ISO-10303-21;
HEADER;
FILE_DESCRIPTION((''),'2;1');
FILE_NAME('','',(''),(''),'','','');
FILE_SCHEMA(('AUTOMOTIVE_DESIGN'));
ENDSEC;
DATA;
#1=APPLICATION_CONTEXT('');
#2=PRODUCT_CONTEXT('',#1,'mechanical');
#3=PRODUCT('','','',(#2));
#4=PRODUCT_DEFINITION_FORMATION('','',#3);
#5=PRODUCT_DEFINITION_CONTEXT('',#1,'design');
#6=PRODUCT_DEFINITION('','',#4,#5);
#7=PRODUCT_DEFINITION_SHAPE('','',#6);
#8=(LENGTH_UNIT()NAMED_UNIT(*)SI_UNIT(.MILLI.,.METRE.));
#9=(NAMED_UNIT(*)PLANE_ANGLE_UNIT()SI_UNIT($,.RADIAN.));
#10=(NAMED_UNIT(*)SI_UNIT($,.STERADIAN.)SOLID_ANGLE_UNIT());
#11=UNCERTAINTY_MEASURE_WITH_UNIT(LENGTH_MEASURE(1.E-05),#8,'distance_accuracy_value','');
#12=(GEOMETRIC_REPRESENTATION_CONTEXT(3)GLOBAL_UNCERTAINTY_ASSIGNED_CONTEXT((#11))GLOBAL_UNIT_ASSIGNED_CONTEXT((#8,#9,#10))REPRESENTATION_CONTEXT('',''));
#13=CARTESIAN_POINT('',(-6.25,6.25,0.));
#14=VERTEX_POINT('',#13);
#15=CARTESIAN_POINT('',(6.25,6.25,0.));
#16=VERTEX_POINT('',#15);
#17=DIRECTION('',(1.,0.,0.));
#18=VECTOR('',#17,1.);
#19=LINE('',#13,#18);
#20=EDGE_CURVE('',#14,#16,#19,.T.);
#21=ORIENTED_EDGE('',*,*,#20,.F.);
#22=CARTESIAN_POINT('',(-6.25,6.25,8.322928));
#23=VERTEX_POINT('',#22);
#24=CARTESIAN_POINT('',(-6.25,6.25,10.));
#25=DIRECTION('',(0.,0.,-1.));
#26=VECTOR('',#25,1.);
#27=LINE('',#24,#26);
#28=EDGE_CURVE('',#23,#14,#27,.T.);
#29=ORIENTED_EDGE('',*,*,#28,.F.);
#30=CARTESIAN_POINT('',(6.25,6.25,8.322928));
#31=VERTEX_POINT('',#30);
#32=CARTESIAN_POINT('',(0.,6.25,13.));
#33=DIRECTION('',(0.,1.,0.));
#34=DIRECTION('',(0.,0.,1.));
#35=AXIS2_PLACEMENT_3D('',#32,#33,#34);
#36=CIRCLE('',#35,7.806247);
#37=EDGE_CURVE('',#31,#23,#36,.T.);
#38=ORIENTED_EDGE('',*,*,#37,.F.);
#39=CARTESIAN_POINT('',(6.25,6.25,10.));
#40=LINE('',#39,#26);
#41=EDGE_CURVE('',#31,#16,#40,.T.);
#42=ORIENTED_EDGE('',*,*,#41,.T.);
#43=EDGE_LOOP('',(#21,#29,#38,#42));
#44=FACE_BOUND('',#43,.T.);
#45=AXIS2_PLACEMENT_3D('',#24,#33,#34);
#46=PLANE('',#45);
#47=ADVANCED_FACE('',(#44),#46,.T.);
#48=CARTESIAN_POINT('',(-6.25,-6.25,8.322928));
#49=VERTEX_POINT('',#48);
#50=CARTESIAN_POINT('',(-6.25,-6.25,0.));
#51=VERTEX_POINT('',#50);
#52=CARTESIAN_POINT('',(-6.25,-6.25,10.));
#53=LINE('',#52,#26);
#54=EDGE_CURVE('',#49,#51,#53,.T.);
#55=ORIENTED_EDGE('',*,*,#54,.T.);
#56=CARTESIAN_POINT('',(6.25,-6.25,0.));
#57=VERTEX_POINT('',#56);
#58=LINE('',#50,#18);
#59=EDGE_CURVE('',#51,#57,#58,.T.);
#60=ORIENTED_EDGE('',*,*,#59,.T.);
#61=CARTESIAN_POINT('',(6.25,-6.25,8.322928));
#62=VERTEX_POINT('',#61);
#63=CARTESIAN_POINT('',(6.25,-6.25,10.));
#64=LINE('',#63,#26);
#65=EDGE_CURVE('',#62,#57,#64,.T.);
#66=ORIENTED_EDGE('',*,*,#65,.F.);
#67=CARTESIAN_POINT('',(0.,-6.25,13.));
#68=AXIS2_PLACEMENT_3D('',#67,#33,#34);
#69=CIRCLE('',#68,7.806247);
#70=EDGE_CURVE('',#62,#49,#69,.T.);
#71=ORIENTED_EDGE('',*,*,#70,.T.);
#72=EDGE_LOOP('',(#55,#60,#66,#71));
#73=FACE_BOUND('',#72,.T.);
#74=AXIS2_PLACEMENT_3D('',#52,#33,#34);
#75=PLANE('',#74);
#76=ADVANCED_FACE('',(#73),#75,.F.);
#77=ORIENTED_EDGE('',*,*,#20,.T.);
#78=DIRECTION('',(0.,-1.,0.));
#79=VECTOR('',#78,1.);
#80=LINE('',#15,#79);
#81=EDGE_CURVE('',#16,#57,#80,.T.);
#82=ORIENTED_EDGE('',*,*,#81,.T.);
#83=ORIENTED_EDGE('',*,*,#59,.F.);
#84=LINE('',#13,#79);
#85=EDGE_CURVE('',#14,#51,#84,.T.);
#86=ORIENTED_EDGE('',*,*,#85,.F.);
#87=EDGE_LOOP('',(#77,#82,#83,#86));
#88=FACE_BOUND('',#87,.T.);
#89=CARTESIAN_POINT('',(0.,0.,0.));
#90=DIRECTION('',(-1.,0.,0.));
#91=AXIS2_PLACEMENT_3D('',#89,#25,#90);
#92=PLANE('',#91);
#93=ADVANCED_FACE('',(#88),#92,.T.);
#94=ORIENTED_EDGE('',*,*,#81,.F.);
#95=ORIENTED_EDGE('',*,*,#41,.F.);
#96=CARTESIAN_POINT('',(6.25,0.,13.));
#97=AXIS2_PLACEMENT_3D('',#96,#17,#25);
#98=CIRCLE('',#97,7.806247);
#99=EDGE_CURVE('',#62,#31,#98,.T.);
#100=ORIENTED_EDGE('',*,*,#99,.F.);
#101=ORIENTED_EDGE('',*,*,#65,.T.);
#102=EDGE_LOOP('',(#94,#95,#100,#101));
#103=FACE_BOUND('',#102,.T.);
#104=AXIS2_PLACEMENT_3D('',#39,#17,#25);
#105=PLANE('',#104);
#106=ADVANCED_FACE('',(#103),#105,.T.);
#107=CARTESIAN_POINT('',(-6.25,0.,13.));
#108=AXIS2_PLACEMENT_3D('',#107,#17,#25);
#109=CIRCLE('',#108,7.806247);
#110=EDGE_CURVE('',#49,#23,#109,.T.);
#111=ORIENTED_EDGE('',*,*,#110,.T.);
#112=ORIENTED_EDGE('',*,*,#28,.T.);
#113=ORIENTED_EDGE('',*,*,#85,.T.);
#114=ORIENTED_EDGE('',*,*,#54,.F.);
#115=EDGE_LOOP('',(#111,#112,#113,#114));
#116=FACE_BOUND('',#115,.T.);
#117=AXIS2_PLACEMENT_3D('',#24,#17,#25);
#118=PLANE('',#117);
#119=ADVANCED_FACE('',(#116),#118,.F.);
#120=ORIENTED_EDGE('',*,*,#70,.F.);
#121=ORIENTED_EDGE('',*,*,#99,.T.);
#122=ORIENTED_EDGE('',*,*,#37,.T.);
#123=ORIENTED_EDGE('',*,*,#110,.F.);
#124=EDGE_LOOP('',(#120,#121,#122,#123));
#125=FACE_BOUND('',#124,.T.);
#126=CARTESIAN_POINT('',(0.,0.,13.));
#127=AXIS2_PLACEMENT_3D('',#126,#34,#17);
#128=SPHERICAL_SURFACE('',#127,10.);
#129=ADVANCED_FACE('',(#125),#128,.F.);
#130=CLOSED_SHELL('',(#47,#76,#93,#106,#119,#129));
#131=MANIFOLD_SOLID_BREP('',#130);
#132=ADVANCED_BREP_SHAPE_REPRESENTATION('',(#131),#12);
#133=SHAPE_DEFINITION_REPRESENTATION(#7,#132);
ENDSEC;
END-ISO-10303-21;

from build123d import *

# Parameters (mm, degrees)
SKETCH_1_W      = 12.5
SKETCH_1_H      = 12.5
EXTRUDE_1_DEPTH = 10


with BuildPart() as part:
    # 草图1 → 凸台-拉伸1 (new body)
    with BuildSketch(Plane.XY):
        Rectangle(SKETCH_1_W, SKETCH_1_H)
    extrude(amount=EXTRUDE_1_DEPTH)

    # 草图2 → 切除-旋转2 (revolve, cut)
    with BuildSketch(Plane(origin=(0, 0, 0), x_dir=(1, 0, 0), z_dir=(0, 1, 0))):
        with BuildLine():
            Line((9.748454618, -10.771181354), (0, -10.771181354))
            Line((0, -10.771181354), (0, -3))
            ThreePointArc((0, -3), (6.233450631, -5.180531141), (9.748454618, -10.771181354))
        make_face()
    revolve(axis=Axis((0, 0, 10.771181354), (0, 0, -1)), mode=Mode.SUBTRACT)


solid = part.part
